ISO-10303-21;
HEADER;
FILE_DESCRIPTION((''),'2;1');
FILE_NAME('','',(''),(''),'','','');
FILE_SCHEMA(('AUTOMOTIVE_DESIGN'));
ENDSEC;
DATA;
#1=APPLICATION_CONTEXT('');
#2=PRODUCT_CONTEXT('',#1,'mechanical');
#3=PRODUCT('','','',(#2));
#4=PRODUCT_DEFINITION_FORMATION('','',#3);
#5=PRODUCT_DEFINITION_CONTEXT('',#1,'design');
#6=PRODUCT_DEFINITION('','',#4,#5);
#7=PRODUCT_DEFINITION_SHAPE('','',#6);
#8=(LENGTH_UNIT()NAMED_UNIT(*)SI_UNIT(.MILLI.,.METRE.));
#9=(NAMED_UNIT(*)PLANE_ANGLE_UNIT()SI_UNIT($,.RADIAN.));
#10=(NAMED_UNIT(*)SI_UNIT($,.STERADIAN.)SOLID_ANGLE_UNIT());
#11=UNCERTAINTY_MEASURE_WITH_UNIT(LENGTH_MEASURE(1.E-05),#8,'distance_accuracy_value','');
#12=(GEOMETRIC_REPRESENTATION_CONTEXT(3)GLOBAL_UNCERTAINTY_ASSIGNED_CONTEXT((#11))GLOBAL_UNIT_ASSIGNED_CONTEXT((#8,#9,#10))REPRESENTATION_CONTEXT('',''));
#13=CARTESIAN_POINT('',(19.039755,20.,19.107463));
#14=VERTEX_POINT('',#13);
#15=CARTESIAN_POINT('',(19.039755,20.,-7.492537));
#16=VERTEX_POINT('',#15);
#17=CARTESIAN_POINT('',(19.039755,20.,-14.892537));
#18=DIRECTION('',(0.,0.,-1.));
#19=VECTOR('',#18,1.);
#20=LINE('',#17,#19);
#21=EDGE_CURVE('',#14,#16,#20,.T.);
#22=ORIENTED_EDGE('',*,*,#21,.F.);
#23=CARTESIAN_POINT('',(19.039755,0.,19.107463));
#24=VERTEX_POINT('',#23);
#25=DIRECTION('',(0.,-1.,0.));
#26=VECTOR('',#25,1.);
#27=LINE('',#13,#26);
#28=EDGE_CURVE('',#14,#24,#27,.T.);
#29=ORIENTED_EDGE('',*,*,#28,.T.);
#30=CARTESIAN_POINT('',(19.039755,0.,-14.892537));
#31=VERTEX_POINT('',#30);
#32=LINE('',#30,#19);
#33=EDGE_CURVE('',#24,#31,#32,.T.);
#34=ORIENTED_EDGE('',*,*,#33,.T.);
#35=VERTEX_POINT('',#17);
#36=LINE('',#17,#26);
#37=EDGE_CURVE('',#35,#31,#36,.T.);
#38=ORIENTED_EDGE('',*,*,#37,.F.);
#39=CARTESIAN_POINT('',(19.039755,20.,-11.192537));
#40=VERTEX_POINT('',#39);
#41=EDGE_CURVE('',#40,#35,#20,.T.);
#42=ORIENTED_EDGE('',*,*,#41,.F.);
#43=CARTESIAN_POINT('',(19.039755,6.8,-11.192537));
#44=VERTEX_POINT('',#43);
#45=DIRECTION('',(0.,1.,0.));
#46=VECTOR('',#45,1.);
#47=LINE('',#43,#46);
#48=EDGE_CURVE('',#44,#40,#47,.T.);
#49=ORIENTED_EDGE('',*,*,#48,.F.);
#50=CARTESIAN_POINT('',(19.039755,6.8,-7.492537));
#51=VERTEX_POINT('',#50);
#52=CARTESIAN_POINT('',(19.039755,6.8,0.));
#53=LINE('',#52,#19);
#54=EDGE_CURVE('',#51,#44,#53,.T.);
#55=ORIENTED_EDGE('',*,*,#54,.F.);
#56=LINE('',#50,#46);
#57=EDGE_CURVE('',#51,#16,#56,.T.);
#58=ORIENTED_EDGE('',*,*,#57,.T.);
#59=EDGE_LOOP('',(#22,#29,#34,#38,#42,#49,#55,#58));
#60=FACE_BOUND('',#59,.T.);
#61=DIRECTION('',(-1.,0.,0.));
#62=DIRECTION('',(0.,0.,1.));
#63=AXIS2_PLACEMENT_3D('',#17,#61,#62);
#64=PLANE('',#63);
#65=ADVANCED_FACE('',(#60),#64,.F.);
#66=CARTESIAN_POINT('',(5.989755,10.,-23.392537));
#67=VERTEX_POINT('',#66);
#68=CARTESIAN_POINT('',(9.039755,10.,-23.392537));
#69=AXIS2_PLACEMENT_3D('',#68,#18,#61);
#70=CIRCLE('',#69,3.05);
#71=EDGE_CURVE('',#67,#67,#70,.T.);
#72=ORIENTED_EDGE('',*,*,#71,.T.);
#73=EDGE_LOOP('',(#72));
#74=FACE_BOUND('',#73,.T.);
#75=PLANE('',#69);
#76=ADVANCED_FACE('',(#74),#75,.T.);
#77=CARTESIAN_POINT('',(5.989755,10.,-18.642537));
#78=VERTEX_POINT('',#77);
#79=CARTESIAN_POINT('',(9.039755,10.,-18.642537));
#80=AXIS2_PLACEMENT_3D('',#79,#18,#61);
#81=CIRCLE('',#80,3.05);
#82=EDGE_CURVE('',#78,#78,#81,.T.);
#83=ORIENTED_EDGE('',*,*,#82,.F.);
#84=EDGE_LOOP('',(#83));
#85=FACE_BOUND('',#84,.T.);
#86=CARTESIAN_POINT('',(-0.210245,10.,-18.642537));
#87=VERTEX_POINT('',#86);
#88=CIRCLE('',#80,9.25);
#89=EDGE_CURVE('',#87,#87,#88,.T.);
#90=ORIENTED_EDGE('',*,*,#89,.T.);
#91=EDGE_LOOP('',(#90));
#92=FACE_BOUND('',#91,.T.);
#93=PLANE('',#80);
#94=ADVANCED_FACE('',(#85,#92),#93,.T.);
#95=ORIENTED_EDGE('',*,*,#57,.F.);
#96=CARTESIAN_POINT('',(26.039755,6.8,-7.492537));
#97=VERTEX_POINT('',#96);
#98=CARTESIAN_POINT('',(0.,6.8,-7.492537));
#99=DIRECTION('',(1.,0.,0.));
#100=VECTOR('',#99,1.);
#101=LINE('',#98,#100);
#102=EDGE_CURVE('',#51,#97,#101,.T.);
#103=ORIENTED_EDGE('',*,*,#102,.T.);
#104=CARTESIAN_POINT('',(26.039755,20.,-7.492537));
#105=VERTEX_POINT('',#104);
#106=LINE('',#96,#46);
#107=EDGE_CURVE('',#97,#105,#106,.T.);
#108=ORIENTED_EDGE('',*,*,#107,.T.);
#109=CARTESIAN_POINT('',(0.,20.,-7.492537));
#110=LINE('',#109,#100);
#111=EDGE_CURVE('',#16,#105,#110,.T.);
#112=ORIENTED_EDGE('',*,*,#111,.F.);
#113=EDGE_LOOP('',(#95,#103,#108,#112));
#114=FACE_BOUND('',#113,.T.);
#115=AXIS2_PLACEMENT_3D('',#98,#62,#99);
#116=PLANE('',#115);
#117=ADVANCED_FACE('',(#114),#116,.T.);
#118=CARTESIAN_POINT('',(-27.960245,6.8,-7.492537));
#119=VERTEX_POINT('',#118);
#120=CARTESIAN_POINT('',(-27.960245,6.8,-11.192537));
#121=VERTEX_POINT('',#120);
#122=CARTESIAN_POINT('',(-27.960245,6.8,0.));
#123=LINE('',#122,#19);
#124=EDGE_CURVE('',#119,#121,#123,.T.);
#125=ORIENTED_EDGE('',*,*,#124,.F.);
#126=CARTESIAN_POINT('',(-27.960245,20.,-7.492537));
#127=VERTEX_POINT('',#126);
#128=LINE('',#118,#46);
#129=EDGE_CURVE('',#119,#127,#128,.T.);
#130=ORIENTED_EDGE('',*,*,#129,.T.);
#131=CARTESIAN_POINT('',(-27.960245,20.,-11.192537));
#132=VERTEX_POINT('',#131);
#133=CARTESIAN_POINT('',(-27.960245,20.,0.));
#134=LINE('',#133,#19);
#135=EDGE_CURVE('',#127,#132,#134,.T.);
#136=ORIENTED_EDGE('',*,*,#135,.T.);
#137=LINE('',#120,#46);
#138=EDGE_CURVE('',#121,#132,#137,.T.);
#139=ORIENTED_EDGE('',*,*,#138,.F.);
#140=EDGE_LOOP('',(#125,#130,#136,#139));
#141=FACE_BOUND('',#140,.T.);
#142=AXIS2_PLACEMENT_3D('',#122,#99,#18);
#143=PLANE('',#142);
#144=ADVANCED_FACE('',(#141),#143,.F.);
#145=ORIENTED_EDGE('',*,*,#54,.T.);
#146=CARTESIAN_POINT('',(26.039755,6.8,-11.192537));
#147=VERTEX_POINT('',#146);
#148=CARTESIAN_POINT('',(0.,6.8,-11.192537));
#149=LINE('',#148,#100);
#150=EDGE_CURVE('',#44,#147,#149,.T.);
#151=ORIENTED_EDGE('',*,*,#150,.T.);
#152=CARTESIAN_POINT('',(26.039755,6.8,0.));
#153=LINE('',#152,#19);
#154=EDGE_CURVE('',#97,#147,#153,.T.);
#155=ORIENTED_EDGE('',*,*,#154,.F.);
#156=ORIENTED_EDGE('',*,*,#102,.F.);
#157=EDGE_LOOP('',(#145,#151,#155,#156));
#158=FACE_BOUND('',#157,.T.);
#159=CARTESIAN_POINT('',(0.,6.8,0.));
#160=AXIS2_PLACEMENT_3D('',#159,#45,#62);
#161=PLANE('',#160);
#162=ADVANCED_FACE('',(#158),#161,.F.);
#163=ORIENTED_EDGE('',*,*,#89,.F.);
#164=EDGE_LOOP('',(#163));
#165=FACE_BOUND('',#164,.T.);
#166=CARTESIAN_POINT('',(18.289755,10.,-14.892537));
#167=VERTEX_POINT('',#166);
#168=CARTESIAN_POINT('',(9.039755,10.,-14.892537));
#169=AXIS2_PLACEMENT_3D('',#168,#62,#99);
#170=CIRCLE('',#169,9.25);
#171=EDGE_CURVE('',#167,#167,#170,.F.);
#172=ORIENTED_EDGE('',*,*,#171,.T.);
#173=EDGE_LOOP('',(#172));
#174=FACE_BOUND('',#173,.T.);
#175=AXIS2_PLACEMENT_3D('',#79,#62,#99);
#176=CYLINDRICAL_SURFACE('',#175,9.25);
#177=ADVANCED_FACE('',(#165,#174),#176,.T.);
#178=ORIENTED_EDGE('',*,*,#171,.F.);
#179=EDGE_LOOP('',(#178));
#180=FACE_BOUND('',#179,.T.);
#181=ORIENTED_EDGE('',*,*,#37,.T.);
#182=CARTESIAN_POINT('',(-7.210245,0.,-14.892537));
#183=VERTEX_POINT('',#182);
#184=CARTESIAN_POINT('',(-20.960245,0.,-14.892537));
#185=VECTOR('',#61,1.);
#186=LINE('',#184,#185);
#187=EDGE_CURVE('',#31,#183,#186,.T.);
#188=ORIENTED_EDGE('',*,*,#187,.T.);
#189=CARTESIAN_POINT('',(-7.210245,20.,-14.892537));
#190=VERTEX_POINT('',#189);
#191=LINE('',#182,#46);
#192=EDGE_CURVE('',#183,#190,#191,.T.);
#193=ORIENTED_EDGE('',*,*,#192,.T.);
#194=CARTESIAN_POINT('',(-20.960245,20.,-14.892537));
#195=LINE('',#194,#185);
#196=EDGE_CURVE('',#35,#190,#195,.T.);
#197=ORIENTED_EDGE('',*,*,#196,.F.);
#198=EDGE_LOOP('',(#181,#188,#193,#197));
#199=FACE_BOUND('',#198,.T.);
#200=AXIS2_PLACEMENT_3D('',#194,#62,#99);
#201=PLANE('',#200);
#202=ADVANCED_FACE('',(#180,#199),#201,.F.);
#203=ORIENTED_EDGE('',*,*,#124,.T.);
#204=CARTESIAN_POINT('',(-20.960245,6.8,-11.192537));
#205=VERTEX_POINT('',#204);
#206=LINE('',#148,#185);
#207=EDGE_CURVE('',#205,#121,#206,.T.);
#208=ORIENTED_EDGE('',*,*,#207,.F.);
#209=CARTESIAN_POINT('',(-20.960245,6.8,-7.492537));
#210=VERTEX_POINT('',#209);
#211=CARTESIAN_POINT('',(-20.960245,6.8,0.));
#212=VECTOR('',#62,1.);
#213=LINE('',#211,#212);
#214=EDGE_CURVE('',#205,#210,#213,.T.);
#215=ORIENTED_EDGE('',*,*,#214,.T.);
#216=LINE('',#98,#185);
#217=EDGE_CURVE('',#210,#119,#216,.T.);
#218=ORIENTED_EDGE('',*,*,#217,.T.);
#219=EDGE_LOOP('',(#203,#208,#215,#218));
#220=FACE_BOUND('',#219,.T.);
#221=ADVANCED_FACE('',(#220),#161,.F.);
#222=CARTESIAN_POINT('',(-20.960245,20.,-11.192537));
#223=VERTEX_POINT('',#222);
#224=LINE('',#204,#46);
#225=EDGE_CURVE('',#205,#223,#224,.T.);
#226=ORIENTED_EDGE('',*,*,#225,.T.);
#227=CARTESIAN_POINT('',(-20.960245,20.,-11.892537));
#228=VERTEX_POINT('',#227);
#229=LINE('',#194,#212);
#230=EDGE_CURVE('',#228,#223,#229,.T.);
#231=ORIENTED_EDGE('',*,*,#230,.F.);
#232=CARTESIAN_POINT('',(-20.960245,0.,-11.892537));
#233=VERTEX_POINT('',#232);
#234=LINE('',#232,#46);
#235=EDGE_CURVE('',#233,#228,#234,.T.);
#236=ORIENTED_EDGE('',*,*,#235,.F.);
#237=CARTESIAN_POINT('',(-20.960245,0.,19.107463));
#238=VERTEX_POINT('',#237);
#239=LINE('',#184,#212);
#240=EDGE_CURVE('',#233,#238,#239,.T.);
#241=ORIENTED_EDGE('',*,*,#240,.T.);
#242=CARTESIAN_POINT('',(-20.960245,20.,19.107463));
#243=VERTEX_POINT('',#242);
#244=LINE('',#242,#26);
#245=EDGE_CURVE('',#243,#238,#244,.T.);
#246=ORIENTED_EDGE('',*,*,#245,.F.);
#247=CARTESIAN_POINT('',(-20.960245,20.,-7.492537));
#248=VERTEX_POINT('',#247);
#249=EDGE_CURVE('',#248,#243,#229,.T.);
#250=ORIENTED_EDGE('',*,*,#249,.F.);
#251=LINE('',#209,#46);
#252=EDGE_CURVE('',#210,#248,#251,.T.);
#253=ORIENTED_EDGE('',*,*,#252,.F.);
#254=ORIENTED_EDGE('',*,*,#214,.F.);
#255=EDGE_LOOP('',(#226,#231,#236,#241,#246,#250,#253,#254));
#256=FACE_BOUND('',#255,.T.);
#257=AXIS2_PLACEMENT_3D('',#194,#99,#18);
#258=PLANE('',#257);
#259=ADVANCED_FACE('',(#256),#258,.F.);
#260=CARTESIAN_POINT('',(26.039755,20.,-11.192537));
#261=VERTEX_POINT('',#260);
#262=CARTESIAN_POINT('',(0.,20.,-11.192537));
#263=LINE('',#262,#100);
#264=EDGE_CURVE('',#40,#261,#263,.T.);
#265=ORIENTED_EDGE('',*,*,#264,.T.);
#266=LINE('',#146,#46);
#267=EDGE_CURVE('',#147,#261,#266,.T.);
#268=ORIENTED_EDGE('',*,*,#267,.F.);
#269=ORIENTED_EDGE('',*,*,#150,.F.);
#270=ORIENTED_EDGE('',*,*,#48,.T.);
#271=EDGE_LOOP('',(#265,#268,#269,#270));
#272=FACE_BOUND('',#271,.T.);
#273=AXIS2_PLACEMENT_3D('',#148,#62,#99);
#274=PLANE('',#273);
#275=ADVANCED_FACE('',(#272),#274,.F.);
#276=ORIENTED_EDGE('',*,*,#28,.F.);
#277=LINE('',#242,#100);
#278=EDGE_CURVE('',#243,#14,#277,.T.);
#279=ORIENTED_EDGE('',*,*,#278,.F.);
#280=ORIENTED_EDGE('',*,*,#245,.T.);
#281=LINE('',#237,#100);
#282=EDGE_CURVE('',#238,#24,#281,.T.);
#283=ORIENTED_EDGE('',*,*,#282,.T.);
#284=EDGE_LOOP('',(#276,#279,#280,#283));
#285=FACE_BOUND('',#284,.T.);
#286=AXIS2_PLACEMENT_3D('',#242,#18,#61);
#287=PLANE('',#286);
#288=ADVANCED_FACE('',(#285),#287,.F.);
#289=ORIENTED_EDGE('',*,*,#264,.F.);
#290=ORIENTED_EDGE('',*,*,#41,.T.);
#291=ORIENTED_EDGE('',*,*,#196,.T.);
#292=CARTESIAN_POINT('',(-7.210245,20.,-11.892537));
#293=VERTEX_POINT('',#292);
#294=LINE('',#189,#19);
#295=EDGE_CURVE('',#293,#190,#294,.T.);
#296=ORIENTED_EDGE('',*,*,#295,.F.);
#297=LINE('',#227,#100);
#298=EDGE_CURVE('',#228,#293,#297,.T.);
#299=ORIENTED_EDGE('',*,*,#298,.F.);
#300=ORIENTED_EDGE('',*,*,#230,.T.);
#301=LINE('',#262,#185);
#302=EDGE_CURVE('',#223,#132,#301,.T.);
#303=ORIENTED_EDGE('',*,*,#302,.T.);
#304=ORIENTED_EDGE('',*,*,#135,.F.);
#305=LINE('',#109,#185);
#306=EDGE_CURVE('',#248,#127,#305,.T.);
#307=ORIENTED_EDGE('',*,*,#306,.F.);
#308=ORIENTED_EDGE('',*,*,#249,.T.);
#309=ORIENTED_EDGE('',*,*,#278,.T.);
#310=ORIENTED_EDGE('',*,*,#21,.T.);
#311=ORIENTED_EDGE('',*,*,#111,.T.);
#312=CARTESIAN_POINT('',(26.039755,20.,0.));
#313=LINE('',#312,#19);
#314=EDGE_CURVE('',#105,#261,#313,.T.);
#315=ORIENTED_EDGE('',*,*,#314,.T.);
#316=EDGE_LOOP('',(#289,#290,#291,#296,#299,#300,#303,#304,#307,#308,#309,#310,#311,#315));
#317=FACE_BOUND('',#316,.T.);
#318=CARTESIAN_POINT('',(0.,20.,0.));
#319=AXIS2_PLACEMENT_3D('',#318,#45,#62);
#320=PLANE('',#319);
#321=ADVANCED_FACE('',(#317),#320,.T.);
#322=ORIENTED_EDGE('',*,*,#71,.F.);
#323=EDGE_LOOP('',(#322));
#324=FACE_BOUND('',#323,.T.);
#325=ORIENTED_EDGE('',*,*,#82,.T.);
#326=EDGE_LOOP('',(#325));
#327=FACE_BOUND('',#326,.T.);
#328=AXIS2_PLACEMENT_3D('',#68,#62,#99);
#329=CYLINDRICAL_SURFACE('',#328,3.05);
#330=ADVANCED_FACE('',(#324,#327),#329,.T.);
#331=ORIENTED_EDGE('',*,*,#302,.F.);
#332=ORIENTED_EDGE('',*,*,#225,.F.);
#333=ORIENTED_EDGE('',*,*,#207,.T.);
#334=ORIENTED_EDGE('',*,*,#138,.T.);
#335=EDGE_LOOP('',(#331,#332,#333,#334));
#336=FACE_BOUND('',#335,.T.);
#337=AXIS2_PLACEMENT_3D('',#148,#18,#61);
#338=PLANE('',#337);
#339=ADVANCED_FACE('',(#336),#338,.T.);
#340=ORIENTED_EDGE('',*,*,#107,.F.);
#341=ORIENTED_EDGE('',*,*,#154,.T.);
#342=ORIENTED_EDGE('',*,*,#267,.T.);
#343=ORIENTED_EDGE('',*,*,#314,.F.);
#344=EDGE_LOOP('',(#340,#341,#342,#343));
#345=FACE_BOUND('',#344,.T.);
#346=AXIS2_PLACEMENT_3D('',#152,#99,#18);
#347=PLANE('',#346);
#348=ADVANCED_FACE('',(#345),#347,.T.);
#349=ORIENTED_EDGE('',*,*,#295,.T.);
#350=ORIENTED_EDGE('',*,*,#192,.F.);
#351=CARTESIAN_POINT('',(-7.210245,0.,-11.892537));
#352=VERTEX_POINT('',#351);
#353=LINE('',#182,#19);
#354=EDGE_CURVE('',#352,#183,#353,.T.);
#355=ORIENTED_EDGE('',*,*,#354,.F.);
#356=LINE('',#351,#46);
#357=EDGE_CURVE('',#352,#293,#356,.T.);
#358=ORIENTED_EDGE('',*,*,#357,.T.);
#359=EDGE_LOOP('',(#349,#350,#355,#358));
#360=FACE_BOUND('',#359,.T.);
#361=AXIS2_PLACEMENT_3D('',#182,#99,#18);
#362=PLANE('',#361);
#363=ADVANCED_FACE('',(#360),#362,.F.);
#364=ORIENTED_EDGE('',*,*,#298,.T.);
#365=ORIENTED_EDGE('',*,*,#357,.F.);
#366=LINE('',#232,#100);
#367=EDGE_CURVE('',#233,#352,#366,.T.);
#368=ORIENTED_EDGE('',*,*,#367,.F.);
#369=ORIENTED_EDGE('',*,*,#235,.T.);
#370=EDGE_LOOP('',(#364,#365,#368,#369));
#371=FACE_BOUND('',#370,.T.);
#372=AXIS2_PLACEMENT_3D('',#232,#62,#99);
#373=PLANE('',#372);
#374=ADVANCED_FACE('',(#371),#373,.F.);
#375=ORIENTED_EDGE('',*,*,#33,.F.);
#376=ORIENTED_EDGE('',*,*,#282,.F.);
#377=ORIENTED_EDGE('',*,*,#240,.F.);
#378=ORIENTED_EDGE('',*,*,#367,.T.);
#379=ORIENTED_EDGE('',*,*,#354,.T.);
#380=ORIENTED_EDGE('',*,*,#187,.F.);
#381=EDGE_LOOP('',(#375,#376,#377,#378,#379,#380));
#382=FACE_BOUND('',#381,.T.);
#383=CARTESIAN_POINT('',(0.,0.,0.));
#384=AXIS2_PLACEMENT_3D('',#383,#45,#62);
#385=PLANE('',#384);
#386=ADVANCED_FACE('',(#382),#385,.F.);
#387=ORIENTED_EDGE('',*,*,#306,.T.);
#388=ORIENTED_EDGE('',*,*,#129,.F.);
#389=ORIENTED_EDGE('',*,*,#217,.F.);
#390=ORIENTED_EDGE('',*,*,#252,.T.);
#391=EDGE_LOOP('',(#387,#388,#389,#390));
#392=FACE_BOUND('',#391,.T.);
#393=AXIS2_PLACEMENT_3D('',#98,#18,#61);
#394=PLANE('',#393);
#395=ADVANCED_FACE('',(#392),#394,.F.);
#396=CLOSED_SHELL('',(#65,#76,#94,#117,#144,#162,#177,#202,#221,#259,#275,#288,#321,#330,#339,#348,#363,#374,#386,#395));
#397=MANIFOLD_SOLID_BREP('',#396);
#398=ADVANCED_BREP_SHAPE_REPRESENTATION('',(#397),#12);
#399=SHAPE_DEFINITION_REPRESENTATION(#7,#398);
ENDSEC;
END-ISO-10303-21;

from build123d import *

# Parameters (mm, degrees)
SKETCH1_W           = 40
SKETCH1_H           = 34
BOSS_EXTRUDE1_DEPTH = 20
SKETCH2_W           = 13.75
SKETCH2_H           = 3
CUT_EXTRUDE1_DEPTH  = 21
SKETCH3_R           = 9.25
SKETCH3_R_2         = 3.05
BOSS_EXTRUDE2_DEPTH = 3.75
SKETCH4_W           = 7
SKETCH4_H           = 3.7
BOSS_EXTRUDE3_DEPTH = 13.2
SKETCH8_R           = 3.05
BOSS_EXTRUDE5_DEPTH = 8.5


with BuildPart() as part:
    # Sketch1 → Boss-Extrude1 (new body)
    with BuildSketch(Plane(origin=(0, 0, 0), x_dir=(1, 0, 0), z_dir=(0, 1, 0))):
        with Locations((-0.96024493, -2.107462687)):
            Rectangle(SKETCH1_W, SKETCH1_H)
    extrude(amount=BOSS_EXTRUDE1_DEPTH)

    # Sketch2 → Cut-Extrude1 (cut, through all)
    with BuildSketch(Plane(origin=(0, 20, 0), x_dir=(1, 0, 0), z_dir=(0, 1, 0))):
        with Locations((-14.08524493, 13.392537313)):
            Rectangle(SKETCH2_W, SKETCH2_H)
    extrude(amount=-CUT_EXTRUDE1_DEPTH, mode=Mode.SUBTRACT)

    # Sketch3 → Boss-Extrude2 (add)
    with BuildSketch(Plane(origin=(0, 0, -14.892537313), x_dir=(-1, 0, 0), z_dir=(0, 0, -1))):
        with Locations((-9.03975507, 10)):
            Circle(SKETCH3_R)
        with Locations((-9.03975507, 10)):
            Circle(SKETCH3_R_2, mode=Mode.SUBTRACT)
    extrude(amount=BOSS_EXTRUDE2_DEPTH)

    # Sketch4 → Boss-Extrude3 (add)
    with BuildSketch(Plane(origin=(0, 20, 0), x_dir=(1, 0, 0), z_dir=(0, 1, 0))):
        with Locations((-24.46024493, 9.342537313)):
            Rectangle(SKETCH4_W, SKETCH4_H)
        with Locations((22.53975507, 9.342537313)):
            Rectangle(SKETCH4_W, SKETCH4_H)
    extrude(amount=-BOSS_EXTRUDE3_DEPTH)

    # Sketch8 → Boss-Extrude5 (add)
    with BuildSketch(Plane(origin=(0, 0, -14.892537313), x_dir=(-1, 0, 0), z_dir=(0, 0, -1))):
        with Locations((-9.03975507, 10)):
            Circle(SKETCH8_R)
    extrude(amount=BOSS_EXTRUDE5_DEPTH)


solid = part.part
